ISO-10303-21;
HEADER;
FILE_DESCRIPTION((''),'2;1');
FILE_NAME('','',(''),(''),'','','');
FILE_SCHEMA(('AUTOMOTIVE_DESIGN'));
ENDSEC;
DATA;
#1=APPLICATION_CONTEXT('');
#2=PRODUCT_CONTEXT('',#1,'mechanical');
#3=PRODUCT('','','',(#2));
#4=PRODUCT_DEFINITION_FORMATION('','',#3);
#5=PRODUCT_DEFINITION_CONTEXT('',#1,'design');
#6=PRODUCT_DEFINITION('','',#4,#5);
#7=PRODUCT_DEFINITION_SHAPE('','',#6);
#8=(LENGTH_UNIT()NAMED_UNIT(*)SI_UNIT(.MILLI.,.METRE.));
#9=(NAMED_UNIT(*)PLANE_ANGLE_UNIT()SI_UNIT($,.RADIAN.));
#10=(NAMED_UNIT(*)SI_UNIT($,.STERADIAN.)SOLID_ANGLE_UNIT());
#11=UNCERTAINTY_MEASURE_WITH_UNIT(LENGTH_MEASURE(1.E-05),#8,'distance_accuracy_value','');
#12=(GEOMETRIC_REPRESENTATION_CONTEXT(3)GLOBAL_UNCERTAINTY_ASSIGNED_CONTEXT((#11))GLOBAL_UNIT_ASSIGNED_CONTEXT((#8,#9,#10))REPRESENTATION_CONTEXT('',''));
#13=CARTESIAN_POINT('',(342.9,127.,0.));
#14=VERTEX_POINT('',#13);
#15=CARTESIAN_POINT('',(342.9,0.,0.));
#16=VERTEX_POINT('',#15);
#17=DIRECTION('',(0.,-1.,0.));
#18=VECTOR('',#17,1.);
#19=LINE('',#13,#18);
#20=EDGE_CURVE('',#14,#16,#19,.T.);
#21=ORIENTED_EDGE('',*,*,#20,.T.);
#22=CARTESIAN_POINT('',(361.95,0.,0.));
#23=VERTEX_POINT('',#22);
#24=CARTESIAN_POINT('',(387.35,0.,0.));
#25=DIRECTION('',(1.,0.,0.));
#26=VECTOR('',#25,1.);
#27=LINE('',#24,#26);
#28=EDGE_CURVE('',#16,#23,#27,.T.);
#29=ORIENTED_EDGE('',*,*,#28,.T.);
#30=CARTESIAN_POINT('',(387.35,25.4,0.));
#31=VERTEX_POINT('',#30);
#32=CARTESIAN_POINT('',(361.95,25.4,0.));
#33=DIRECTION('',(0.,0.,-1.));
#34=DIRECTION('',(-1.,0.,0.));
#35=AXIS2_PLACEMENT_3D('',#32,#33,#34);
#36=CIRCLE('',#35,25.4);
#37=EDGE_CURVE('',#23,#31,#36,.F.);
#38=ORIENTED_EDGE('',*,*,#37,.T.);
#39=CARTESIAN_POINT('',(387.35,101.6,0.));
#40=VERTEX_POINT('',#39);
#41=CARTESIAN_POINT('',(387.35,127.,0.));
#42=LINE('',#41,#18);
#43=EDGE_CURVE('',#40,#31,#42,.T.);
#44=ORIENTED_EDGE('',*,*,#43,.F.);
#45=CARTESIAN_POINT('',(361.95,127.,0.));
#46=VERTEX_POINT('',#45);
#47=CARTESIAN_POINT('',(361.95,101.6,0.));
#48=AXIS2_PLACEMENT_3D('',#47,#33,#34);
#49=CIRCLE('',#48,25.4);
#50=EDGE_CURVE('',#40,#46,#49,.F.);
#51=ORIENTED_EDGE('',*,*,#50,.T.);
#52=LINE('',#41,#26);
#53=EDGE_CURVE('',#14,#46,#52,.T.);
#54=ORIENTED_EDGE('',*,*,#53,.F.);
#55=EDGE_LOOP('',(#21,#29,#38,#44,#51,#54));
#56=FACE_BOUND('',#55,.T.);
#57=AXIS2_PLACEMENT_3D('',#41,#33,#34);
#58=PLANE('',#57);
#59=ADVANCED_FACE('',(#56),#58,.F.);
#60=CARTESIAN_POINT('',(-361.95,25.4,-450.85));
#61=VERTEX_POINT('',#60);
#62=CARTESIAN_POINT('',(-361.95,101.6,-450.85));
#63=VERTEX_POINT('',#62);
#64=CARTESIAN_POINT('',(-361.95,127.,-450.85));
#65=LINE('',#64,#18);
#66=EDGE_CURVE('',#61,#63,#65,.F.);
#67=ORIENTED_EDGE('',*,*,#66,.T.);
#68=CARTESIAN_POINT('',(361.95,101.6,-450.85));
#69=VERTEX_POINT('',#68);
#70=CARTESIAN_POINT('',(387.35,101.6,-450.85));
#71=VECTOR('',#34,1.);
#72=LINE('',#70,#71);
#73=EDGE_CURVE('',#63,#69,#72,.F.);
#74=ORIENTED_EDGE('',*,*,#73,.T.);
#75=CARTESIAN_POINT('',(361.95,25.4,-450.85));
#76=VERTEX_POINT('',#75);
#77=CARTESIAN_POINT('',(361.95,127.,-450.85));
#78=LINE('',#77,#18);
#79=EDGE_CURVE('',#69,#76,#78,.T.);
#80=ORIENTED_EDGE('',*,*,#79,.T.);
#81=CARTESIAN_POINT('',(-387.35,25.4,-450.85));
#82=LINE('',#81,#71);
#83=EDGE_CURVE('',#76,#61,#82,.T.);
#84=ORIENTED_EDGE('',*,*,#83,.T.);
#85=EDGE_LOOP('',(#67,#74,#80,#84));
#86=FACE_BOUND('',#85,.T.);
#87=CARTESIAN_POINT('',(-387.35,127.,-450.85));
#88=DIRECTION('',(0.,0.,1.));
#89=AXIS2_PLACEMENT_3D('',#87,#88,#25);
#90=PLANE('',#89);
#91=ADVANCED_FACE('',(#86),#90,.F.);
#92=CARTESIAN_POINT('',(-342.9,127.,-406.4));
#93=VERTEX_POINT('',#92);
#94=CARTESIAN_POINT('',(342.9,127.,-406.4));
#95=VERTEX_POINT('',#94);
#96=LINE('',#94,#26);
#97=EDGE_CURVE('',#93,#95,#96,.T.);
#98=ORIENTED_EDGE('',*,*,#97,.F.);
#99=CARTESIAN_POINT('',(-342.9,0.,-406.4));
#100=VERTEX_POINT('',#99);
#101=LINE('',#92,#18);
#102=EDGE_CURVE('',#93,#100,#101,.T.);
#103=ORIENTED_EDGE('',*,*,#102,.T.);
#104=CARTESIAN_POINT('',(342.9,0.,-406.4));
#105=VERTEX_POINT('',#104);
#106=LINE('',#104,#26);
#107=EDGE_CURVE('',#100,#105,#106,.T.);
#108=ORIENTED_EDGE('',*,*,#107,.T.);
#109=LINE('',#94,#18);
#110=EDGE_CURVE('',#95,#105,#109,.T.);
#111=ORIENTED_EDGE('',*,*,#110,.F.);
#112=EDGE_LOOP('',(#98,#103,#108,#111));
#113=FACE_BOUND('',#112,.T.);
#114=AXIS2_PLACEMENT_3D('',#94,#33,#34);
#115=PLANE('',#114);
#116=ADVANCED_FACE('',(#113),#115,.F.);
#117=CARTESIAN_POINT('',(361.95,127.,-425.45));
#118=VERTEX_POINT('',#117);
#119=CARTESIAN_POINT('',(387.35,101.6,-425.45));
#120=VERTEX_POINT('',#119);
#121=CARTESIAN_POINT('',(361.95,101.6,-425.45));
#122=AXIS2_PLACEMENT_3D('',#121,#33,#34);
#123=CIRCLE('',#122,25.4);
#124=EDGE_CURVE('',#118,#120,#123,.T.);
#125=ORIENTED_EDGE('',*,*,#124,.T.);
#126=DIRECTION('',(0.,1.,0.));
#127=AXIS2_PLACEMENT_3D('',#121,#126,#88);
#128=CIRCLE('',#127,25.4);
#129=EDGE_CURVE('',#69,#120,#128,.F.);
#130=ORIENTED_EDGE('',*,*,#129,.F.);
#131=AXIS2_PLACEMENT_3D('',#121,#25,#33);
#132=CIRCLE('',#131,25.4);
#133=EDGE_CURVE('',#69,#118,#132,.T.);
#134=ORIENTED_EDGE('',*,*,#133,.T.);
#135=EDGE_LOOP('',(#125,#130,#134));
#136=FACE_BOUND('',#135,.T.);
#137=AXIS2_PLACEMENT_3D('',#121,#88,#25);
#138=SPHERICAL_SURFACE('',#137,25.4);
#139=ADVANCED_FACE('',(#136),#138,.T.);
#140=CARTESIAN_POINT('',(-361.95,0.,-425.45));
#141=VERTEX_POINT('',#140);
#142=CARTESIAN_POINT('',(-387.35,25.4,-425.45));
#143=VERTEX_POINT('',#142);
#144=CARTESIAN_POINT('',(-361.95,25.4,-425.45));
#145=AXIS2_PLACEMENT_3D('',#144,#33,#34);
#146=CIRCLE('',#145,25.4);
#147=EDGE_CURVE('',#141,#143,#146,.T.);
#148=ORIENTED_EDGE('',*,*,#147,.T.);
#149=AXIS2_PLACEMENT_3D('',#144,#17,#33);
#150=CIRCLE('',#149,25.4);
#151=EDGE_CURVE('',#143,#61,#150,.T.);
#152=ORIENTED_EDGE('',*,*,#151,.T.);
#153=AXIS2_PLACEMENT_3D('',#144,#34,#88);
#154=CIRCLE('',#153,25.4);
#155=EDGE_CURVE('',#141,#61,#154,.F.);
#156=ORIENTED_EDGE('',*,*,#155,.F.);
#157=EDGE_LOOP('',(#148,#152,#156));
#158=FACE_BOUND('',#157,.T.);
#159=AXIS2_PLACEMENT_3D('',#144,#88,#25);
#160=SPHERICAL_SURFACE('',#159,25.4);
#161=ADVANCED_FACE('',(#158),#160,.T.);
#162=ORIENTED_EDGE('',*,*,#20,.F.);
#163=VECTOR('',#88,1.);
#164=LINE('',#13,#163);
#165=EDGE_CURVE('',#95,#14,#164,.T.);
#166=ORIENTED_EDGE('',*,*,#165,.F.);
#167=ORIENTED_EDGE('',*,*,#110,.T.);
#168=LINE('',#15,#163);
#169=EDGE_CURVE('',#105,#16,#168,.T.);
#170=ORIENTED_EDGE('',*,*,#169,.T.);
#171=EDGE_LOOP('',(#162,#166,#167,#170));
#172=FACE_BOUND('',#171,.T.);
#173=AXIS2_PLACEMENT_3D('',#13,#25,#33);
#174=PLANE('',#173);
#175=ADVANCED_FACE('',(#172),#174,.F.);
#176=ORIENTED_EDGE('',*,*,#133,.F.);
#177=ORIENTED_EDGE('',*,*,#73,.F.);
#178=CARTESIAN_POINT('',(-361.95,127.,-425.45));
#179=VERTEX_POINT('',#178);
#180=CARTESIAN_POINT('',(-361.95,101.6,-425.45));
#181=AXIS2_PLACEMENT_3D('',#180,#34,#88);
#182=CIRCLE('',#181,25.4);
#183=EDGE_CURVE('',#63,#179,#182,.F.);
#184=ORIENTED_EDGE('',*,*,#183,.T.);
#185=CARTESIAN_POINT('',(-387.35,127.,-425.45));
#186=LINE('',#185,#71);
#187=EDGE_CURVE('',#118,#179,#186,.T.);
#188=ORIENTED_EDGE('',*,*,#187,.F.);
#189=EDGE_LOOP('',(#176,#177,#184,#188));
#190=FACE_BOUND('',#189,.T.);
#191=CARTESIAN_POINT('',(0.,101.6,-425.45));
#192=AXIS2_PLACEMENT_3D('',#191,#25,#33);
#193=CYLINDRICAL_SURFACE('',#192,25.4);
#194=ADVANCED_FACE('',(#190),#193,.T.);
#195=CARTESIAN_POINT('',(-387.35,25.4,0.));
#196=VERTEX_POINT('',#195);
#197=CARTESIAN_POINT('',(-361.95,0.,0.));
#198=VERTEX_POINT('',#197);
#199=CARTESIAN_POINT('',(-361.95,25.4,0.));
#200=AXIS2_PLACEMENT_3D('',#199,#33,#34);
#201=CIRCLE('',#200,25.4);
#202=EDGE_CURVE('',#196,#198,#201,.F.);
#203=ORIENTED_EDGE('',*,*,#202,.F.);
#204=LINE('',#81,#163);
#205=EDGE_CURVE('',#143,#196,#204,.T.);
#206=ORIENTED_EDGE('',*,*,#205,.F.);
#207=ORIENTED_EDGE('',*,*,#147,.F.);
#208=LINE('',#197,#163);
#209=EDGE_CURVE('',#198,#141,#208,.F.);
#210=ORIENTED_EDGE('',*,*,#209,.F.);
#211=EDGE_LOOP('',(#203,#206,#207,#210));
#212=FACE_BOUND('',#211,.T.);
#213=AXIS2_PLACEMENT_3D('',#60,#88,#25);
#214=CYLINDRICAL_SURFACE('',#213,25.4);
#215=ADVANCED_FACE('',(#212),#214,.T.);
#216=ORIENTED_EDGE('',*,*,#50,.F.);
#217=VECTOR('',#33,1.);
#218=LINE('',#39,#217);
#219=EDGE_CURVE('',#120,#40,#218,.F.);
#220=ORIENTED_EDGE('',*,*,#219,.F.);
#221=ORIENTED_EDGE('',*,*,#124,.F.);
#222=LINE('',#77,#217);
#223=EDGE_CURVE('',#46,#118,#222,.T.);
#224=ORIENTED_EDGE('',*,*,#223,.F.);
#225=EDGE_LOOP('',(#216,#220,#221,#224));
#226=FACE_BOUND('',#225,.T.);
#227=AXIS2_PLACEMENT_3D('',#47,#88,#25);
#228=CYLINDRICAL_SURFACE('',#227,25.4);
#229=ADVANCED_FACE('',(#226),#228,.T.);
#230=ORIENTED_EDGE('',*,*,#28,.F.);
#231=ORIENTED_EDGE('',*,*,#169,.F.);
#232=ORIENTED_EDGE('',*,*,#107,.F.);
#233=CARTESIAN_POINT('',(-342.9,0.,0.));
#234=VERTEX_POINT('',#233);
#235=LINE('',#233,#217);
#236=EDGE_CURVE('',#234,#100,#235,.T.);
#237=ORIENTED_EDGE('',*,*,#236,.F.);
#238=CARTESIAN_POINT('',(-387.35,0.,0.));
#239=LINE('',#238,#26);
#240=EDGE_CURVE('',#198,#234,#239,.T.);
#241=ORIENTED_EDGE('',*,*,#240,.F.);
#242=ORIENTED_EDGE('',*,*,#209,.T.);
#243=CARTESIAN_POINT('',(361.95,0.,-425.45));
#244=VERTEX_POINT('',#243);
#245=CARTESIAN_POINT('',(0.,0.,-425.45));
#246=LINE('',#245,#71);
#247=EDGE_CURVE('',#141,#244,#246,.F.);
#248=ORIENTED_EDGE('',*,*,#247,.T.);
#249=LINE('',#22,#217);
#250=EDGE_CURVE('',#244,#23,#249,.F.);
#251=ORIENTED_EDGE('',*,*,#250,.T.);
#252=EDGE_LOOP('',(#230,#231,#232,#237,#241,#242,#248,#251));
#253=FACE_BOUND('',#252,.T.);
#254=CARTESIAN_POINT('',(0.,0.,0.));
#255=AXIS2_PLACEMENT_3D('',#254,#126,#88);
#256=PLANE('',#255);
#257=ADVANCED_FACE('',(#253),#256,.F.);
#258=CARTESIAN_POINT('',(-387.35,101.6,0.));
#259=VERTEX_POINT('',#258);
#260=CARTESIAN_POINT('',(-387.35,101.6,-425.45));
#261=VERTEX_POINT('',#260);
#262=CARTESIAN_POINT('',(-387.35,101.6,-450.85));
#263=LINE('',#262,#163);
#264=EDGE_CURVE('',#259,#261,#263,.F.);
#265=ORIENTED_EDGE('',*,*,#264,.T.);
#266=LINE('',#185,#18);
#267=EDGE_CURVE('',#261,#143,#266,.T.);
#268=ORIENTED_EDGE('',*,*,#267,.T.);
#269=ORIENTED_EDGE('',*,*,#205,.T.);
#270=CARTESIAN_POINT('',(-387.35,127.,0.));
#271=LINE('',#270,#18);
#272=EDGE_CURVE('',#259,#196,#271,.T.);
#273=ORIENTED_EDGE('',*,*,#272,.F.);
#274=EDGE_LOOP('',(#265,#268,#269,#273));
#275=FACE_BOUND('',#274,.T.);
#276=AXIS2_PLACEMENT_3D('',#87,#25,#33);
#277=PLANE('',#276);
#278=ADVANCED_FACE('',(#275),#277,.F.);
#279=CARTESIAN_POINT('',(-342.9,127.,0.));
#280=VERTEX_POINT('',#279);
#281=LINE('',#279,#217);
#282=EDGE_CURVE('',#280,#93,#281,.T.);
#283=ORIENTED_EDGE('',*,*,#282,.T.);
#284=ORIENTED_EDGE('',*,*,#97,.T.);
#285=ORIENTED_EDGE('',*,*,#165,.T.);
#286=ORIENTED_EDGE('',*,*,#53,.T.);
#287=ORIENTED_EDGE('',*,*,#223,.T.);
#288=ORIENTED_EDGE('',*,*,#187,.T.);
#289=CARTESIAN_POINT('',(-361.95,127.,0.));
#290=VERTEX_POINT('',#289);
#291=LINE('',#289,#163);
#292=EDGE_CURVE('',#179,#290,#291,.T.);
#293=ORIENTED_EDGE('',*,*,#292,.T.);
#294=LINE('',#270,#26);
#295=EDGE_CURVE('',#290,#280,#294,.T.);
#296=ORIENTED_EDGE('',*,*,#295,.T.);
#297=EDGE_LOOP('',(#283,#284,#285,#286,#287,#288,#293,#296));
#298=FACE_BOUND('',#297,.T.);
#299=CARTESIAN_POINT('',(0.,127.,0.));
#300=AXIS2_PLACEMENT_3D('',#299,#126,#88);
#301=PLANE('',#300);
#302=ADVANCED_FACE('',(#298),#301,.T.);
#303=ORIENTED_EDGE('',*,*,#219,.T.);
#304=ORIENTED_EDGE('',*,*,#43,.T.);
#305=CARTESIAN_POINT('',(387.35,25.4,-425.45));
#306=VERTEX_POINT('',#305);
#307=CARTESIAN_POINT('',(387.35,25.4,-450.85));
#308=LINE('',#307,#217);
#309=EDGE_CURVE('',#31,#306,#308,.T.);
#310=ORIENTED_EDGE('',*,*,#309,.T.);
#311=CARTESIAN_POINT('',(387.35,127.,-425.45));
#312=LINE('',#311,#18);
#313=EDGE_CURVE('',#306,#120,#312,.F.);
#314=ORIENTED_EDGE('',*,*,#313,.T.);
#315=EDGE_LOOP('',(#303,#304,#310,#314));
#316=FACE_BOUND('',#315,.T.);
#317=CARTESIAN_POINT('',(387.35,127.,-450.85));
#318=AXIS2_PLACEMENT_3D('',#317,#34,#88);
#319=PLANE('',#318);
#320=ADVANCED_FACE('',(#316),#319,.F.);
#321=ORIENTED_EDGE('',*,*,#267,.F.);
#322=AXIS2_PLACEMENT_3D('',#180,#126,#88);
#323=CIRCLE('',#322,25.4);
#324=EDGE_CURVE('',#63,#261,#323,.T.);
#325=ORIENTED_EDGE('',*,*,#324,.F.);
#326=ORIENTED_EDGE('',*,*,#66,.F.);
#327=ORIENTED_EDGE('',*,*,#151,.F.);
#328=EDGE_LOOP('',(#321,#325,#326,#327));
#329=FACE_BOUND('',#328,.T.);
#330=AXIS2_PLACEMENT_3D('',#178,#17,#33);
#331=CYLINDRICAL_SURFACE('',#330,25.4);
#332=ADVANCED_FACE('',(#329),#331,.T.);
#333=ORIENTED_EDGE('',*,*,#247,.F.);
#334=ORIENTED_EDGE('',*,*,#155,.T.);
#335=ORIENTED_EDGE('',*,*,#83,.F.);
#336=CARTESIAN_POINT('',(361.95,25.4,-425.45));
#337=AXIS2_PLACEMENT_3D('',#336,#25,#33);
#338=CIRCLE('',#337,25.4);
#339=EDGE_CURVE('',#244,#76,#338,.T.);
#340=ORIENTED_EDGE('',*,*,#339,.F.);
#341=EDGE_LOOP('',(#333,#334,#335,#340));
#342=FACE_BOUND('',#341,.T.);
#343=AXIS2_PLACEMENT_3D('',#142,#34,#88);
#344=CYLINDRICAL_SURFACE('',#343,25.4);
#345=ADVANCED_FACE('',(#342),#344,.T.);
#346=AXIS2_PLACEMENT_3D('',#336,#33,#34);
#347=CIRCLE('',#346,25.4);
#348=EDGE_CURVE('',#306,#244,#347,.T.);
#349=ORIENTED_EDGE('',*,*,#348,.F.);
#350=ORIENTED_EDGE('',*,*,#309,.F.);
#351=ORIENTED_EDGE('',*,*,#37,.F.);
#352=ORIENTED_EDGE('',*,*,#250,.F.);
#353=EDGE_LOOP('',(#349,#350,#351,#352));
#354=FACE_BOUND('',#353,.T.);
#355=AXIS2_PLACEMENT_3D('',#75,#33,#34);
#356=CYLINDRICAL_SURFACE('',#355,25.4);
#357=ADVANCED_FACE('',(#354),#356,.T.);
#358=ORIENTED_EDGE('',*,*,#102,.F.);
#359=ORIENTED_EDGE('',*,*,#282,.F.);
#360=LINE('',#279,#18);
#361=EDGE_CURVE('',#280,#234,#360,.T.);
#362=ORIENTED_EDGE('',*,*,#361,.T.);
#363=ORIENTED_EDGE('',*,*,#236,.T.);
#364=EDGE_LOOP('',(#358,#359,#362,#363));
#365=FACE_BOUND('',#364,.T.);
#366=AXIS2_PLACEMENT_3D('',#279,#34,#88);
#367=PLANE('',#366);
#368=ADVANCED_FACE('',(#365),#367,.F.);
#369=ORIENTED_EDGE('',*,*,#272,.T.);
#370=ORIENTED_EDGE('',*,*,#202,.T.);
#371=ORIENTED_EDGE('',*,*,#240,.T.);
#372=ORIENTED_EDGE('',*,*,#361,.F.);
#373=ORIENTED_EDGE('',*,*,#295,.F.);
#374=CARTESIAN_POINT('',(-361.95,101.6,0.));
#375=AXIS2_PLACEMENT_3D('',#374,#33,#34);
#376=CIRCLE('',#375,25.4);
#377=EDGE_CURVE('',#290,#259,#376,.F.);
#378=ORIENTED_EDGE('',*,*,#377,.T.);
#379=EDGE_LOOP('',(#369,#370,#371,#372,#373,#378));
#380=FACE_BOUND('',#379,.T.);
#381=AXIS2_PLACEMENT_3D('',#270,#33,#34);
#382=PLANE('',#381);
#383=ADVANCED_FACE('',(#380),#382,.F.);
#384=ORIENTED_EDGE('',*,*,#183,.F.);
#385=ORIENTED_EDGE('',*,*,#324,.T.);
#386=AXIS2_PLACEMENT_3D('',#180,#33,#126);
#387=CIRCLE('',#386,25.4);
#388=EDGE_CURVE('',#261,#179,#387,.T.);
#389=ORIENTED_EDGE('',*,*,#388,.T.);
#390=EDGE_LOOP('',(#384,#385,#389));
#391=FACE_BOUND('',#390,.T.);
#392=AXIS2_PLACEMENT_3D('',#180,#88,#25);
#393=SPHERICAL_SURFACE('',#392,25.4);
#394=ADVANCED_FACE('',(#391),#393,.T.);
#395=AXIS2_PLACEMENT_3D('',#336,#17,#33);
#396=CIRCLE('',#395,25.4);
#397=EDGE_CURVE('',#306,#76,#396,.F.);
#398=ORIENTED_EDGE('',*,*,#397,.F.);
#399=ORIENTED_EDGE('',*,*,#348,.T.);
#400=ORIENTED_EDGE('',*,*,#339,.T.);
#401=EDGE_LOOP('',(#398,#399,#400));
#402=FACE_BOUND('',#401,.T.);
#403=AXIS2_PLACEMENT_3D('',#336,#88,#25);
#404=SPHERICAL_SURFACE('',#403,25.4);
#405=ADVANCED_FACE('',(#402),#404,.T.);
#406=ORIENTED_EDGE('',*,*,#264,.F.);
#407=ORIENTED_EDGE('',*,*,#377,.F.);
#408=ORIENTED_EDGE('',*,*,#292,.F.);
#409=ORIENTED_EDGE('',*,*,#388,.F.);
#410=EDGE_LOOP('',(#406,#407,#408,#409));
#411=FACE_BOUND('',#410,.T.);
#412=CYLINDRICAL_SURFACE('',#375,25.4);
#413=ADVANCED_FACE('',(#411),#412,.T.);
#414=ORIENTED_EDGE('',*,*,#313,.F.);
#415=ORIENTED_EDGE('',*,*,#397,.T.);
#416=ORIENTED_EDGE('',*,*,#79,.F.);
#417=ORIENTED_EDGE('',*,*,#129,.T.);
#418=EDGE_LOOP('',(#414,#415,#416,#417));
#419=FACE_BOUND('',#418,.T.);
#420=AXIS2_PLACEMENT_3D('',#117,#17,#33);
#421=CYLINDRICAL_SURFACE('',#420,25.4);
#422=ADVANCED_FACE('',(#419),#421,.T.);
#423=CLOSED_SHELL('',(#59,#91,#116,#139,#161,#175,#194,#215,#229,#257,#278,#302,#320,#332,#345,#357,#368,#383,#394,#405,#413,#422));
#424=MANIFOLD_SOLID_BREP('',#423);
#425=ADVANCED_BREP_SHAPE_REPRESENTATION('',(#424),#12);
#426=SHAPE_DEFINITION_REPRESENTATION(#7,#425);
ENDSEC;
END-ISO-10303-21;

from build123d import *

# Parameters (mm, degrees)
BOSS_EXTRUDE1_DEPTH = 127
FILLET1_R           = 25.4


with BuildPart() as part:
    # Sketch2 → Boss-Extrude1 (new body)
    with BuildSketch(Plane(origin=(0, 0, 0), x_dir=(1, 0, 0), z_dir=(0, 1, 0))):
        Polygon((-387.35, 450.85), (387.35, 450.85), (387.35, 0), (342.9, 0), (342.9, 406.4), (-342.9, 406.4), (-342.9, 0), (-387.35, 0), align=None)
    extrude(amount=BOSS_EXTRUDE1_DEPTH)

    # Fillet1
    fillet1_edges = [part.edges().sort_by_distance(p)[0] for p in [
        (0, 0, -450.85),
        (387.35, 0, -225.425),
        (387.35, 127, -225.425),
        (-387.35, 63.5, -450.85),
        (387.35, 63.5, -450.85),
        (0, 127, -450.85),
        (-387.35, 127, -225.425),
        (-387.35, 0, -225.425),
    ]]
    fillet(fillet1_edges, radius=FILLET1_R)


solid = part.part
